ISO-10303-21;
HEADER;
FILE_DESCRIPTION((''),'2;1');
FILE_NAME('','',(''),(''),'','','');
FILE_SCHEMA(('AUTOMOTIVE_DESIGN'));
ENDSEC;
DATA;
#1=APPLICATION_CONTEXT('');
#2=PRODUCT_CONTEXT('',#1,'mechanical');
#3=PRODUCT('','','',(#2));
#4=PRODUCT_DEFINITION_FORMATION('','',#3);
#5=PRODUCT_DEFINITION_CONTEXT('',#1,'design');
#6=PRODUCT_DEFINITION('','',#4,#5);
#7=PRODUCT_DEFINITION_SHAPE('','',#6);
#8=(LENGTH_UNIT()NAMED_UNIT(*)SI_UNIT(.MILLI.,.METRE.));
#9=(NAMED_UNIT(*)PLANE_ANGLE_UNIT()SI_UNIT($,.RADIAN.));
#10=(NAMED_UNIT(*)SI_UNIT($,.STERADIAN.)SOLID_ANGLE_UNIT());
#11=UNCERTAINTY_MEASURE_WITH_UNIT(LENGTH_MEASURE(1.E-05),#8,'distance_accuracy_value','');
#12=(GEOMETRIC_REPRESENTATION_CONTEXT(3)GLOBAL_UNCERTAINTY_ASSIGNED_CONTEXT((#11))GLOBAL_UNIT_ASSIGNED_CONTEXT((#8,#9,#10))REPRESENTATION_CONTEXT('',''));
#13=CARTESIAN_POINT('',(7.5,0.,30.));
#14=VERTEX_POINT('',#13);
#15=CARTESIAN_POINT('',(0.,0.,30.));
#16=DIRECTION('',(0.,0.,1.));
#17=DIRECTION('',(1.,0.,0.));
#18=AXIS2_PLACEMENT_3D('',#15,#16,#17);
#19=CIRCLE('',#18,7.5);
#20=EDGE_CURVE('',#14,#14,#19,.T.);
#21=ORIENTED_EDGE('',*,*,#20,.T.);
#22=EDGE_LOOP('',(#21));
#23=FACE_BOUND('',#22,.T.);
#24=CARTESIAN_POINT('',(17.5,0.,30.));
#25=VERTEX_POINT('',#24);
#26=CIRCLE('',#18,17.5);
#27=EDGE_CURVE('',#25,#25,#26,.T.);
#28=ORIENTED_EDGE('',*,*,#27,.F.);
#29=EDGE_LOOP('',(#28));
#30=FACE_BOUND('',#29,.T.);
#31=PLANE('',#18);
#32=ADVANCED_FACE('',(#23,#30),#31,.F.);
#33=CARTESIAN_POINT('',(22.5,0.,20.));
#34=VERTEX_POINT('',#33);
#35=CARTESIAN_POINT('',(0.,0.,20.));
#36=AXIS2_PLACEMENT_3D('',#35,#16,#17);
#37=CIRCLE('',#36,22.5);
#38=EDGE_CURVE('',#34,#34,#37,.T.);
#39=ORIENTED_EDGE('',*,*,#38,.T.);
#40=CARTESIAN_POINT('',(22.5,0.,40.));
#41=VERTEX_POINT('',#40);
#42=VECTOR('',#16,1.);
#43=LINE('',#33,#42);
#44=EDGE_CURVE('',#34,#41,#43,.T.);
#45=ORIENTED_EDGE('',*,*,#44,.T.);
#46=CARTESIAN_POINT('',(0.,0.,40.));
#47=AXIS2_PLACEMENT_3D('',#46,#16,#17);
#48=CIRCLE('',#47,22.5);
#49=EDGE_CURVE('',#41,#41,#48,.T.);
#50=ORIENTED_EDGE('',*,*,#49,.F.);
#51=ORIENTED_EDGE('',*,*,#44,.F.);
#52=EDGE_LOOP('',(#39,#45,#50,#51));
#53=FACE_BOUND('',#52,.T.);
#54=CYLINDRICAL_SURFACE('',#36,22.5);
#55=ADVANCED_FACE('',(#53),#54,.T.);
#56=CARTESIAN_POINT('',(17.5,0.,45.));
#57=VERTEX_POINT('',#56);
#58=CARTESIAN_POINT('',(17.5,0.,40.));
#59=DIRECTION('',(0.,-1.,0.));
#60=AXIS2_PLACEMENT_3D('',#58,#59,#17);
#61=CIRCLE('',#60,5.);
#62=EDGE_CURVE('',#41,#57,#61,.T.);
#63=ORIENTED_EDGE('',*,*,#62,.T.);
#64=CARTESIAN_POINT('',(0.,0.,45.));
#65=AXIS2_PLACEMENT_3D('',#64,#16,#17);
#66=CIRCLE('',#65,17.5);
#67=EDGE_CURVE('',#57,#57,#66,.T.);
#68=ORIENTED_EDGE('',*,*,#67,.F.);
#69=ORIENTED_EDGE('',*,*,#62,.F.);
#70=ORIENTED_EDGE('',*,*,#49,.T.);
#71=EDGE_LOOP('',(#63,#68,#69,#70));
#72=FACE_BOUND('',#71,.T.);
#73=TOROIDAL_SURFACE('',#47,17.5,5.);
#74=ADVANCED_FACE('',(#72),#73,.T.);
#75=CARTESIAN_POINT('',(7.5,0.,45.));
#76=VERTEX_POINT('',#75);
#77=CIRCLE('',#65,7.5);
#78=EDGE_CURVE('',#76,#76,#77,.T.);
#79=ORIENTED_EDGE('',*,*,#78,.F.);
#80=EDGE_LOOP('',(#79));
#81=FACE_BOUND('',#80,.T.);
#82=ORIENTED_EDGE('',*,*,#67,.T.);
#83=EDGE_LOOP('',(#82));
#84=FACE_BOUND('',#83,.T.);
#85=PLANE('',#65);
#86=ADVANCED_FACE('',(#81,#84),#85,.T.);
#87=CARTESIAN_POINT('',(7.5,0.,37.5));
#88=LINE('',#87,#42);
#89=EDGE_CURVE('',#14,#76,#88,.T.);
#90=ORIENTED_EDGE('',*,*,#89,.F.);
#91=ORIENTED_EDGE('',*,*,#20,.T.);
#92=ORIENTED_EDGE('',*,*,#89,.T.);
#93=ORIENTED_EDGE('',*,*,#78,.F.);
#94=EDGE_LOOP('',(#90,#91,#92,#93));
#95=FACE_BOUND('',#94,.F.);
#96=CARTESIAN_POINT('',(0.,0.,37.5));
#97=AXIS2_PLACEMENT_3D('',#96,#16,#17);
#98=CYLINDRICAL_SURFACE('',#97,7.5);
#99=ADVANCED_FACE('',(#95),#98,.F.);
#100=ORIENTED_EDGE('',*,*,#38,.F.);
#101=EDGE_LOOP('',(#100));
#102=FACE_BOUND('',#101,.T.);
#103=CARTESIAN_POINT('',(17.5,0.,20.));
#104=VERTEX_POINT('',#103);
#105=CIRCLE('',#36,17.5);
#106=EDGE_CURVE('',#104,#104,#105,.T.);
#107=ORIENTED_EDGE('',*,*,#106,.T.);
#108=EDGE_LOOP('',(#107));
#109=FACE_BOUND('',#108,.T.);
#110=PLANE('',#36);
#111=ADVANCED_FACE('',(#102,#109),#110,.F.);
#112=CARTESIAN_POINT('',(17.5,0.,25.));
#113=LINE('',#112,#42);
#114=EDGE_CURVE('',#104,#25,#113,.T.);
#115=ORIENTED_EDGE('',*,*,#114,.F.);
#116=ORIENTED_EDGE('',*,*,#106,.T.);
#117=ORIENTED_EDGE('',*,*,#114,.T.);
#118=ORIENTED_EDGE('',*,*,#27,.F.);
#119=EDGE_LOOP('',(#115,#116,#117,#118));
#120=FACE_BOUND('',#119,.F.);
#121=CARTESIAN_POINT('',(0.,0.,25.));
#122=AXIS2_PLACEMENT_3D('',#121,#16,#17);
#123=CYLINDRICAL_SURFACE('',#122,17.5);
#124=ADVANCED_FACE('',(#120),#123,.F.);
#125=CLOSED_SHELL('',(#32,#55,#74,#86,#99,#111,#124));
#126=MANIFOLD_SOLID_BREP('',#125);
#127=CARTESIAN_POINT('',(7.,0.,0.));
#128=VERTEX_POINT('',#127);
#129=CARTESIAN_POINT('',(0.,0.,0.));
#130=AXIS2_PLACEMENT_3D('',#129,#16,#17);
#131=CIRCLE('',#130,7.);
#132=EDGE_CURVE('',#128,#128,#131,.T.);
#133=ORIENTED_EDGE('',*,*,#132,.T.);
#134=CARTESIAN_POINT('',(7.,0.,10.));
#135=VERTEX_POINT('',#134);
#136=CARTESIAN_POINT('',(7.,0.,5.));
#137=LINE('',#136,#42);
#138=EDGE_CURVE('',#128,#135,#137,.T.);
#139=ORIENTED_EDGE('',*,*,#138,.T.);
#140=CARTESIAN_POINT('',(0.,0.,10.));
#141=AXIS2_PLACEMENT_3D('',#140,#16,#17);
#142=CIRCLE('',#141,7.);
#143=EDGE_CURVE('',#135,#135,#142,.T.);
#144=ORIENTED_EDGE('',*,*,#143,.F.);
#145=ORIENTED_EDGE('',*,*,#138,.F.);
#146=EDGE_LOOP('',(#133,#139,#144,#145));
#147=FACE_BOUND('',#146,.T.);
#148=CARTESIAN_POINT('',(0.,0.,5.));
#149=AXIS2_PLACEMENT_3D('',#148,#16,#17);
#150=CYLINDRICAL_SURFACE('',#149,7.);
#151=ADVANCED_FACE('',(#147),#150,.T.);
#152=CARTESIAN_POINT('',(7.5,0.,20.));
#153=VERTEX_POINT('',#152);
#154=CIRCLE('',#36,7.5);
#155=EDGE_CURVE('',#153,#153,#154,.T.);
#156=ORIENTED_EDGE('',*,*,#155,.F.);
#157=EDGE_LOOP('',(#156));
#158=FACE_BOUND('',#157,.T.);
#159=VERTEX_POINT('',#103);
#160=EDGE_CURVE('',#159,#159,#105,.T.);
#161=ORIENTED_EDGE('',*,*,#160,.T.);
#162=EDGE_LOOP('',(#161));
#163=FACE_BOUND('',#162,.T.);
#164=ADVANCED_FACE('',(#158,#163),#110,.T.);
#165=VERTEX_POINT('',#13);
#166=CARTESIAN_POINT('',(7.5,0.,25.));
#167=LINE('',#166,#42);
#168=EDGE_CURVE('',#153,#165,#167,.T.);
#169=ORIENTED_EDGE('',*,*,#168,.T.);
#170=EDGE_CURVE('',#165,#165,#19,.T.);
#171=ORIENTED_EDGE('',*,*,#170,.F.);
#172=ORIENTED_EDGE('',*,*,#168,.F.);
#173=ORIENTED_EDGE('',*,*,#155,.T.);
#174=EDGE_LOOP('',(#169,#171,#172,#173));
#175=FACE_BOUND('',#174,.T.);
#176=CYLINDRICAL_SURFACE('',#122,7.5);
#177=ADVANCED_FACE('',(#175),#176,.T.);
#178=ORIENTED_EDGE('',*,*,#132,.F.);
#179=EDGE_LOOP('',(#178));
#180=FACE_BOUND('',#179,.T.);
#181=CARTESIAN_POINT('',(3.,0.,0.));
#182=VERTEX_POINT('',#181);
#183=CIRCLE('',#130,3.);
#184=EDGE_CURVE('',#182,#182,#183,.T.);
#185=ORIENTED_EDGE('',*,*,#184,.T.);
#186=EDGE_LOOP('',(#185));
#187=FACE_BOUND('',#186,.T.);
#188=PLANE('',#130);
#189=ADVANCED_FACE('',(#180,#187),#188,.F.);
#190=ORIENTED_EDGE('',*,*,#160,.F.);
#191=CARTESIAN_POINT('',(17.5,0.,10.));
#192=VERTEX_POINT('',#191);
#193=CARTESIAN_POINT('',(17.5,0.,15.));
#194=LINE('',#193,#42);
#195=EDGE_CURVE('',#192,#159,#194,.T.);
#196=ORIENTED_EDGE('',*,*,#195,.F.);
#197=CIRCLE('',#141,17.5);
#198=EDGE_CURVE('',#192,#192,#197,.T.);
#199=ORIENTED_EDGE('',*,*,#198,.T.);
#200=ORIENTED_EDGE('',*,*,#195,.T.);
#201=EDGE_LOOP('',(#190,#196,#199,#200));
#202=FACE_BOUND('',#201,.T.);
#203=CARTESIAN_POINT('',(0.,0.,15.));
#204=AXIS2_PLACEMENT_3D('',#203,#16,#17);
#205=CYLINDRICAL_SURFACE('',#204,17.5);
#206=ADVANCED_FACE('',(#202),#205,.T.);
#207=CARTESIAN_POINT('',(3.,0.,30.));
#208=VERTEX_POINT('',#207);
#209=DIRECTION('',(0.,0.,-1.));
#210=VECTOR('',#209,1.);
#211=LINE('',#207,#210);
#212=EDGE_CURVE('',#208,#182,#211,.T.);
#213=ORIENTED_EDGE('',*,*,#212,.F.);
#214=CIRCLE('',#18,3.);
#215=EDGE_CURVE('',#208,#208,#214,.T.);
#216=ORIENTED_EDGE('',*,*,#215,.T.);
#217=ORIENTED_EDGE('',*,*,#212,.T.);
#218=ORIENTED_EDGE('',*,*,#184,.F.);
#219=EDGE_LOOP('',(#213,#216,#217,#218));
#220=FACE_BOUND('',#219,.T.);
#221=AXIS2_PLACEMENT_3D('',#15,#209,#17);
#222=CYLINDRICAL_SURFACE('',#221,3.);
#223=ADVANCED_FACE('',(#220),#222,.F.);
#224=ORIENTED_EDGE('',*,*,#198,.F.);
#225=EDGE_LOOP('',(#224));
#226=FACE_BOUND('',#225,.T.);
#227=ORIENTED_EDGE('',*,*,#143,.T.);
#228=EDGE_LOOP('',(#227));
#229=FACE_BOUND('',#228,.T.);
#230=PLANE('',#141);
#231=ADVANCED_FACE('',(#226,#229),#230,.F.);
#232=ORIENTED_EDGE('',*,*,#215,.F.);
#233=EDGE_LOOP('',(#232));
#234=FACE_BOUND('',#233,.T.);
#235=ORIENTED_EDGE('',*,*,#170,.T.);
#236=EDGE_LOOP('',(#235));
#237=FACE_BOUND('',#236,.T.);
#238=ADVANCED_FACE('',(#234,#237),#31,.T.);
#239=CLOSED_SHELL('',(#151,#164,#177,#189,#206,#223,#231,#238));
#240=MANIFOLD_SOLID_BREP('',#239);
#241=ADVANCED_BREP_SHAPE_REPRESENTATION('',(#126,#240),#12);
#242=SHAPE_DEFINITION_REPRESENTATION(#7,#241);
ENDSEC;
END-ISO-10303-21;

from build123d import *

# Parameters (mm, degrees)
F0_W   = 10
F0_H   = 15
F0_W_2 = 5
F0_H_2 = 10
F0_W_3 = 4
F0_W_4 = 0.5
F2_R   = 5


with BuildPart() as f1:
    # F0 (on Front) → F1 (revolve)
    with BuildSketch(Plane.XZ):
        with Locations((12.5, 37.5)):
            Rectangle(F0_W, F0_H)
        with Locations((20, 37.5)):
            Rectangle(F0_W_2, F0_H)
        with Locations((20, 25)):
            Rectangle(F0_W_2, F0_H_2)
    revolve(axis=Axis((0, 0, 22.5), (0, 0, 1)))

    # F2
    f2_edges = [f1.edges().sort_by_distance(p)[0] for p in [
        (-22.5, 0, 45),
    ]]
    fillet(f2_edges, radius=F2_R)


with BuildPart() as f1b:
    # F0 (on Front) → F1, piece 2 (revolve)
    with BuildSketch(Plane.XZ):
        with Locations((12.5, 15)):
            Rectangle(F0_W, F0_H_2)
        with Locations((5, 5)):
            Rectangle(F0_W_3, F0_H_2)
        with Locations((7.25, 15)):
            Rectangle(F0_W_4, F0_H_2)
        with Locations((7.25, 25)):
            Rectangle(F0_W_4, F0_H_2)
        with Locations((5, 25)):
            Rectangle(F0_W_3, F0_H_2)
        with Locations((5, 15)):
            Rectangle(F0_W_3, F0_H_2)
    revolve(axis=Axis((0, 0, 22.5), (0, 0, 1)))


solid = Compound([f1.part, f1b.part])
